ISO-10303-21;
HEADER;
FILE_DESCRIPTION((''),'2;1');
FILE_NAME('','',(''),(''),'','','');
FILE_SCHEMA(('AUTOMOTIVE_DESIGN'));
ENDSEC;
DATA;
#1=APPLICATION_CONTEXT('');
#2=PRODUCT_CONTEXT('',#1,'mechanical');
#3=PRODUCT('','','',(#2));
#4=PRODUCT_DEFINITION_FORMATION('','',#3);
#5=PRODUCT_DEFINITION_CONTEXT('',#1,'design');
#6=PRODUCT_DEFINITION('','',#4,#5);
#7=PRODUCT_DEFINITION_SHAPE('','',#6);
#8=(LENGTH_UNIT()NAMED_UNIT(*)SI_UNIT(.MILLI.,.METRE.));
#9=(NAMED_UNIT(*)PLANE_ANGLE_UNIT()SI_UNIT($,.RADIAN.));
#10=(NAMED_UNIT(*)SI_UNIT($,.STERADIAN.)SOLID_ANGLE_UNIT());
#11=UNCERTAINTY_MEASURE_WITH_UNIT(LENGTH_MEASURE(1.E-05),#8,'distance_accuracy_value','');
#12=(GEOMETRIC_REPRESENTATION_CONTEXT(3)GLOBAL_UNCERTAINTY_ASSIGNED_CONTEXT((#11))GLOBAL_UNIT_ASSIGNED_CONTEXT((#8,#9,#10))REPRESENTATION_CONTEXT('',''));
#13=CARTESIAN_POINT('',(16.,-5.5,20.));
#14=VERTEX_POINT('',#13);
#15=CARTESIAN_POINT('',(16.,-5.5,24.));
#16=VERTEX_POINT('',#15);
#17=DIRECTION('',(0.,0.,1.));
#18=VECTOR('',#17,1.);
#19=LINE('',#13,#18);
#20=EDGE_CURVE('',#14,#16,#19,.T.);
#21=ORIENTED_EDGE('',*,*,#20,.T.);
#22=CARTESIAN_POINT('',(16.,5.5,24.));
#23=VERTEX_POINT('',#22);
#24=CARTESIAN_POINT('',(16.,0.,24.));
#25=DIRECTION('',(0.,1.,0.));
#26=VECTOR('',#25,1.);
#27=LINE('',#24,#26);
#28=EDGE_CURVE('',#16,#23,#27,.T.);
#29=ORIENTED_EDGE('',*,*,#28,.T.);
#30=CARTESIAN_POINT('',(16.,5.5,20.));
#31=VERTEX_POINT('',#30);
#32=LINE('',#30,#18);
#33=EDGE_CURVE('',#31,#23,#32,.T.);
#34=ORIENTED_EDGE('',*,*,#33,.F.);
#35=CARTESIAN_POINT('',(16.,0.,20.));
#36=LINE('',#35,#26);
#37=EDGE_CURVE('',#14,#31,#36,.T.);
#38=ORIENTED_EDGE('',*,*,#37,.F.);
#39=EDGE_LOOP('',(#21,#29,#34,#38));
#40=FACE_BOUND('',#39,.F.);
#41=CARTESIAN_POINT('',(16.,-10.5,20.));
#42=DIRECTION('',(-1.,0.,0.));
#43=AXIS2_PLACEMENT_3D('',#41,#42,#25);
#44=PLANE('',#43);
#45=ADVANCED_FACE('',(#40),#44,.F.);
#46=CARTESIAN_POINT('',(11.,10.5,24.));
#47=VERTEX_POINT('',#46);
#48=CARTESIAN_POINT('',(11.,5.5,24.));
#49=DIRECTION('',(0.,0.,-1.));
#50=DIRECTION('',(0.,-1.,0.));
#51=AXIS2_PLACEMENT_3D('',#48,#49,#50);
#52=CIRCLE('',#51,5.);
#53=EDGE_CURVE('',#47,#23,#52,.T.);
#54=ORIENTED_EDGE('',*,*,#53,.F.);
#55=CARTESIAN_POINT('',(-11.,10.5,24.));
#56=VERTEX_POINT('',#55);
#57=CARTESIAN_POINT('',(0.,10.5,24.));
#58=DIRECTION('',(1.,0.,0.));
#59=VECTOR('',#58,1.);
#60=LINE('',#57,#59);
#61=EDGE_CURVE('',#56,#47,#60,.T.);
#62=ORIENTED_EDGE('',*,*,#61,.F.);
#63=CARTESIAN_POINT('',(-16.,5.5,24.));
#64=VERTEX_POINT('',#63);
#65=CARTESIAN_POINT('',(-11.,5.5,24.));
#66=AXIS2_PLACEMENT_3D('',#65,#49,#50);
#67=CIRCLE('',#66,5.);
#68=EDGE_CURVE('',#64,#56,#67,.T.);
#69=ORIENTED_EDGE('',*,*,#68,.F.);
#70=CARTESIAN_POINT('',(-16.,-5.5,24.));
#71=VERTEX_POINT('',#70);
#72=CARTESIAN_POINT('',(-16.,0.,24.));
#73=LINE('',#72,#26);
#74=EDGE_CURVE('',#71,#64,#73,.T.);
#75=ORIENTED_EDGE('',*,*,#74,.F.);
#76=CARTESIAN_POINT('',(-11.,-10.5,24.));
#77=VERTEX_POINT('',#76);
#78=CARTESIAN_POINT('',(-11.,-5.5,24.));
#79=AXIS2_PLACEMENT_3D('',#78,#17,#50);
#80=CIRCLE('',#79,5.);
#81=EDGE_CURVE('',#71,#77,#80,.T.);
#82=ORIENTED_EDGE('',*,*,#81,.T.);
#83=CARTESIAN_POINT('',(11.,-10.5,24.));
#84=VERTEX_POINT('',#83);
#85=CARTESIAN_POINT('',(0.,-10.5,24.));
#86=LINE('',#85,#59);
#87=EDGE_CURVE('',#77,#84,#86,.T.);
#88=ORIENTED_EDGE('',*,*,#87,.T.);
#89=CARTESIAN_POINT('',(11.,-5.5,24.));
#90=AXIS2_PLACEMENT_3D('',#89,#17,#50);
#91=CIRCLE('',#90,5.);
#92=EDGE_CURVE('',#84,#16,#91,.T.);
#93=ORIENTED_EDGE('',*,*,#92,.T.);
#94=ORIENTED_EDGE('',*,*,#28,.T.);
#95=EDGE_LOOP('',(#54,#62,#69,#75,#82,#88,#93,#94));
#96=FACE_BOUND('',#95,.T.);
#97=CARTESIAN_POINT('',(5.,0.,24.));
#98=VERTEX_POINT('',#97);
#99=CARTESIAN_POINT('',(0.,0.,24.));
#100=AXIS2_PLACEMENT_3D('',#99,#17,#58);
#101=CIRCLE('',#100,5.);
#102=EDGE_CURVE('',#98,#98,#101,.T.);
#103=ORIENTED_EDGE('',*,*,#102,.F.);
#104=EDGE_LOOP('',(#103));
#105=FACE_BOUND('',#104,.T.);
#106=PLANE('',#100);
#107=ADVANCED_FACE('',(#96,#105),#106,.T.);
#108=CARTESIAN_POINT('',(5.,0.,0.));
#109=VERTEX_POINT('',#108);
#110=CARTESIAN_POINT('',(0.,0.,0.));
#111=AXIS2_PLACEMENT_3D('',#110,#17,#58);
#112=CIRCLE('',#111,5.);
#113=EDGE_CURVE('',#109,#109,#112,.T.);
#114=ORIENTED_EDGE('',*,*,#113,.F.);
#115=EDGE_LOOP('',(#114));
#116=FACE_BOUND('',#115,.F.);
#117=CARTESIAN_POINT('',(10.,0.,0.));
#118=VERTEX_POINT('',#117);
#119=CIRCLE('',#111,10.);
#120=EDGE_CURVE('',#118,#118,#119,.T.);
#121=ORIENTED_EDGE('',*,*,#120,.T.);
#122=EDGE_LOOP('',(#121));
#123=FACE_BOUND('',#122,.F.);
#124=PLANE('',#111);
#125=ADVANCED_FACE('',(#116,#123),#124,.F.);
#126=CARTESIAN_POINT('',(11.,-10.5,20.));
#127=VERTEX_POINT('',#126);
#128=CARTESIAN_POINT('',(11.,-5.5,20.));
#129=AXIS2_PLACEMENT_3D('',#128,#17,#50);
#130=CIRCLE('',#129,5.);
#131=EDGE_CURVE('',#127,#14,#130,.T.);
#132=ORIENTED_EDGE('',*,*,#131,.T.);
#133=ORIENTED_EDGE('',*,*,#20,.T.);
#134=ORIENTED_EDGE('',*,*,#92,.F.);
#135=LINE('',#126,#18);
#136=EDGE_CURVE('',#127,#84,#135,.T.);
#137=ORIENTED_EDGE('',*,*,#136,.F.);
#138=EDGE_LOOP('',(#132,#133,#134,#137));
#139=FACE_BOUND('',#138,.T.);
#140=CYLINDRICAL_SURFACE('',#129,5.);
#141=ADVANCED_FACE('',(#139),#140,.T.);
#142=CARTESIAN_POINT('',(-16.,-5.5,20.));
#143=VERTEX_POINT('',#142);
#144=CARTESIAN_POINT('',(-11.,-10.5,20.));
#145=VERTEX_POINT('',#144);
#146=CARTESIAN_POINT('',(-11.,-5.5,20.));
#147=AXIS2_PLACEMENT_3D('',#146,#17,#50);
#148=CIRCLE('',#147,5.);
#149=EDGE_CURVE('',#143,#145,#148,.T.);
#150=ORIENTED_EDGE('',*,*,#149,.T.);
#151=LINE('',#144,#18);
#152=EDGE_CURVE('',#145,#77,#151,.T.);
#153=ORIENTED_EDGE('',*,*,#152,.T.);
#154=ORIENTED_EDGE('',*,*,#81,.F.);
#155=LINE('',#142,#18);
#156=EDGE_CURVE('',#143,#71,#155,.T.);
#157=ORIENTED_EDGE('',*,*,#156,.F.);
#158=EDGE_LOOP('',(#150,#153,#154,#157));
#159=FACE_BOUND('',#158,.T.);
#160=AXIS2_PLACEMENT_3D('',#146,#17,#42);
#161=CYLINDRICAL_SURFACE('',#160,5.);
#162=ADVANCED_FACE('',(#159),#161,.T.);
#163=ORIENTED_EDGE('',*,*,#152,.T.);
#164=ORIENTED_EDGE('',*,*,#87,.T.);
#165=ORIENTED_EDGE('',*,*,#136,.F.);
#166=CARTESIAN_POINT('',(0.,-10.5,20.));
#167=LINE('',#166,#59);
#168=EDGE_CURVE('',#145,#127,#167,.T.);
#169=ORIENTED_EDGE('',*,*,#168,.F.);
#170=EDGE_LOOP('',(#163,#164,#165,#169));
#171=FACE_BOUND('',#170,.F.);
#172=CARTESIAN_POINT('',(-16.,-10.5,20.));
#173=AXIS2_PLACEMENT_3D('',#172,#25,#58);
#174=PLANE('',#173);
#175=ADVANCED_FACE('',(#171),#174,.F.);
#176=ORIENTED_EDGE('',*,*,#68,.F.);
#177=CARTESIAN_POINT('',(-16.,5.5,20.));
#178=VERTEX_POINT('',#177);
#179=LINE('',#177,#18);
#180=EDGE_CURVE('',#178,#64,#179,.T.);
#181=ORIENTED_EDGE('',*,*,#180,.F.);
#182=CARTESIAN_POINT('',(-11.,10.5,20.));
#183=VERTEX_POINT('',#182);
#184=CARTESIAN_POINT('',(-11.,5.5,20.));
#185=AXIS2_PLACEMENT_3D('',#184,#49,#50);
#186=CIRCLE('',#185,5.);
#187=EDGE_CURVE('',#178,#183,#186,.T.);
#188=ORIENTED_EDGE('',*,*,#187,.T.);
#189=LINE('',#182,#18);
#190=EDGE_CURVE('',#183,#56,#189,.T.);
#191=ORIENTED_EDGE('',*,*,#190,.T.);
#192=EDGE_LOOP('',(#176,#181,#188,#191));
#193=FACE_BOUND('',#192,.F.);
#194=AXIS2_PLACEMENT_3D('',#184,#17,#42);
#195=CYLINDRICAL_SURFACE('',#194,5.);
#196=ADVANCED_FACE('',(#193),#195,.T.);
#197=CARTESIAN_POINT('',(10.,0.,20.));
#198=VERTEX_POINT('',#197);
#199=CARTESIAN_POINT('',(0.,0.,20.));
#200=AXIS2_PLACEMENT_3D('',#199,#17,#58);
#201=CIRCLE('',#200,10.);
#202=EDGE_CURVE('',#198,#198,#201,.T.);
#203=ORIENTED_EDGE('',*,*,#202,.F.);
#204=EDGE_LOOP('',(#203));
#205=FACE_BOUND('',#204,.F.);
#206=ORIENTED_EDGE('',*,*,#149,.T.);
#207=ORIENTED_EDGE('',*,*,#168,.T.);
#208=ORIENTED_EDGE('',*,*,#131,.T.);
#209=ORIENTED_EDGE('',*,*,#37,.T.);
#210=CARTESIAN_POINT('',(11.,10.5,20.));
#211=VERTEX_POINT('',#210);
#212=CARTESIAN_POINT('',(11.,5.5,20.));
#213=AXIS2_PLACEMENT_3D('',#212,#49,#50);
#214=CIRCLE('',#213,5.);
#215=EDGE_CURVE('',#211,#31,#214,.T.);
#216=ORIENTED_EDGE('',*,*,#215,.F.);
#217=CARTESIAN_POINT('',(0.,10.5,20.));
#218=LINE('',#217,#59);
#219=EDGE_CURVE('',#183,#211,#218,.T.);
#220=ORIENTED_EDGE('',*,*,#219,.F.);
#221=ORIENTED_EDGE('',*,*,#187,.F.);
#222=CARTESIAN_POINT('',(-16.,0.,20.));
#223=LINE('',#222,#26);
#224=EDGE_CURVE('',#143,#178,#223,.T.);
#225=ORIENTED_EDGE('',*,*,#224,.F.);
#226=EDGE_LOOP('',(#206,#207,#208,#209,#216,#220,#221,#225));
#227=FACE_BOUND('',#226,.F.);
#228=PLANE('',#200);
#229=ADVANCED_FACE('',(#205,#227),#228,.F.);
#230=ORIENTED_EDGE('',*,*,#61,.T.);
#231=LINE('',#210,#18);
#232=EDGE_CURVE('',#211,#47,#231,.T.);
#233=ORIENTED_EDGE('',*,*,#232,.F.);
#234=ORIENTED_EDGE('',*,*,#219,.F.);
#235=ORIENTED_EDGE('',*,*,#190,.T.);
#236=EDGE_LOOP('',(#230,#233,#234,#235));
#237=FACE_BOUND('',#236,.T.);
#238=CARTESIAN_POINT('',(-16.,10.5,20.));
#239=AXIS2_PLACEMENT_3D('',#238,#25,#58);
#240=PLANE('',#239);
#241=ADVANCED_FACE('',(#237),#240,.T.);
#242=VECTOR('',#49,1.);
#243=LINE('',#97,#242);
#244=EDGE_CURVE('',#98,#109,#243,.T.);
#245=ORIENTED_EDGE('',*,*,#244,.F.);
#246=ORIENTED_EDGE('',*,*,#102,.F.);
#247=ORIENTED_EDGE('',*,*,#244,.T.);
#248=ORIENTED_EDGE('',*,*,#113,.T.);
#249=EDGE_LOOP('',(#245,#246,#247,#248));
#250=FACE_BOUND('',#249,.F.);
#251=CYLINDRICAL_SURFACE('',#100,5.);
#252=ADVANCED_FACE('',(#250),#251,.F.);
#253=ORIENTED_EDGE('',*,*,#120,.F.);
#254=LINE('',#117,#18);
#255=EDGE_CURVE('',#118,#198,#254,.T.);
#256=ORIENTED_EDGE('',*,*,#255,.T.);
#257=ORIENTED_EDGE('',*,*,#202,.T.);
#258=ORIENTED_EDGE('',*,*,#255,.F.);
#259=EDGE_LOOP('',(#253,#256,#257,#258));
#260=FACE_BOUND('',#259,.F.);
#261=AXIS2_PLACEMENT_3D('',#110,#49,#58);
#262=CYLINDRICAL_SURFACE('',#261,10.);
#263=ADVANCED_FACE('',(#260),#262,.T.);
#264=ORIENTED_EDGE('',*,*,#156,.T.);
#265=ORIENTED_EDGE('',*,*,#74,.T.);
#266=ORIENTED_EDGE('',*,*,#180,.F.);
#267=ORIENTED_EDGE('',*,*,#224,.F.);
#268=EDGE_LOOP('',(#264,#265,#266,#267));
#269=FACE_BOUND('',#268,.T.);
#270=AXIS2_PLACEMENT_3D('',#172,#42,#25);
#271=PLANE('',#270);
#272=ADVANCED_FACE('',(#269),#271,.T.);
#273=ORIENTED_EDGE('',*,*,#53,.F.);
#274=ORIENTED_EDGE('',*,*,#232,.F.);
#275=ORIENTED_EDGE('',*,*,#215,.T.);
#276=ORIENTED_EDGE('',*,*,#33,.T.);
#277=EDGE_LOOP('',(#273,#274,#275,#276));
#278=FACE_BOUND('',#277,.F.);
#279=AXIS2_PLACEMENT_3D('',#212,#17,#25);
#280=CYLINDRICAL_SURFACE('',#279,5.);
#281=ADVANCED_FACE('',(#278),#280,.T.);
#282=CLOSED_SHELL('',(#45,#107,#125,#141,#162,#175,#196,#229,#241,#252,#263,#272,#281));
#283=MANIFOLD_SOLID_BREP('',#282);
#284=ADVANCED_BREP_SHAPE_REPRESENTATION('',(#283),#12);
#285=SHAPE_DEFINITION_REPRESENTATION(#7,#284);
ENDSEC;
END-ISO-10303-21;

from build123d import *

# Parameters (mm, degrees)
F0_R     = 10
F1_DEPTH = 20
F2_W     = 32
F2_H     = 21
F3_DEPTH = 4
F4_R     = 5
F5_DEPTH = 25
F6_R     = 5


with BuildPart() as f1:
    # F0 (on Top) → F1 (new body)
    with BuildSketch(Plane.XY):
        Circle(F0_R)
    extrude(amount=F1_DEPTH)

    # F2 (on face) → F3 (join)
    with BuildSketch(Plane.XY.offset(20)):
        Rectangle(F2_W, F2_H)
    extrude(amount=F3_DEPTH)

    # F4 (on face) → F5 (cut)
    with BuildSketch(Plane.XY.offset(24)):
        Circle(F4_R)
    extrude(amount=-F5_DEPTH, mode=Mode.SUBTRACT)

    # F6
    f6_edges = [f1.edges().sort_by_distance(p)[0] for p in [
        (16, 10.5, 22),
        (-16, 10.5, 22),
        (-16, -10.5, 22),
        (16, -10.5, 22),
    ]]
    fillet(f6_edges, radius=F6_R)


solid = f1.part
